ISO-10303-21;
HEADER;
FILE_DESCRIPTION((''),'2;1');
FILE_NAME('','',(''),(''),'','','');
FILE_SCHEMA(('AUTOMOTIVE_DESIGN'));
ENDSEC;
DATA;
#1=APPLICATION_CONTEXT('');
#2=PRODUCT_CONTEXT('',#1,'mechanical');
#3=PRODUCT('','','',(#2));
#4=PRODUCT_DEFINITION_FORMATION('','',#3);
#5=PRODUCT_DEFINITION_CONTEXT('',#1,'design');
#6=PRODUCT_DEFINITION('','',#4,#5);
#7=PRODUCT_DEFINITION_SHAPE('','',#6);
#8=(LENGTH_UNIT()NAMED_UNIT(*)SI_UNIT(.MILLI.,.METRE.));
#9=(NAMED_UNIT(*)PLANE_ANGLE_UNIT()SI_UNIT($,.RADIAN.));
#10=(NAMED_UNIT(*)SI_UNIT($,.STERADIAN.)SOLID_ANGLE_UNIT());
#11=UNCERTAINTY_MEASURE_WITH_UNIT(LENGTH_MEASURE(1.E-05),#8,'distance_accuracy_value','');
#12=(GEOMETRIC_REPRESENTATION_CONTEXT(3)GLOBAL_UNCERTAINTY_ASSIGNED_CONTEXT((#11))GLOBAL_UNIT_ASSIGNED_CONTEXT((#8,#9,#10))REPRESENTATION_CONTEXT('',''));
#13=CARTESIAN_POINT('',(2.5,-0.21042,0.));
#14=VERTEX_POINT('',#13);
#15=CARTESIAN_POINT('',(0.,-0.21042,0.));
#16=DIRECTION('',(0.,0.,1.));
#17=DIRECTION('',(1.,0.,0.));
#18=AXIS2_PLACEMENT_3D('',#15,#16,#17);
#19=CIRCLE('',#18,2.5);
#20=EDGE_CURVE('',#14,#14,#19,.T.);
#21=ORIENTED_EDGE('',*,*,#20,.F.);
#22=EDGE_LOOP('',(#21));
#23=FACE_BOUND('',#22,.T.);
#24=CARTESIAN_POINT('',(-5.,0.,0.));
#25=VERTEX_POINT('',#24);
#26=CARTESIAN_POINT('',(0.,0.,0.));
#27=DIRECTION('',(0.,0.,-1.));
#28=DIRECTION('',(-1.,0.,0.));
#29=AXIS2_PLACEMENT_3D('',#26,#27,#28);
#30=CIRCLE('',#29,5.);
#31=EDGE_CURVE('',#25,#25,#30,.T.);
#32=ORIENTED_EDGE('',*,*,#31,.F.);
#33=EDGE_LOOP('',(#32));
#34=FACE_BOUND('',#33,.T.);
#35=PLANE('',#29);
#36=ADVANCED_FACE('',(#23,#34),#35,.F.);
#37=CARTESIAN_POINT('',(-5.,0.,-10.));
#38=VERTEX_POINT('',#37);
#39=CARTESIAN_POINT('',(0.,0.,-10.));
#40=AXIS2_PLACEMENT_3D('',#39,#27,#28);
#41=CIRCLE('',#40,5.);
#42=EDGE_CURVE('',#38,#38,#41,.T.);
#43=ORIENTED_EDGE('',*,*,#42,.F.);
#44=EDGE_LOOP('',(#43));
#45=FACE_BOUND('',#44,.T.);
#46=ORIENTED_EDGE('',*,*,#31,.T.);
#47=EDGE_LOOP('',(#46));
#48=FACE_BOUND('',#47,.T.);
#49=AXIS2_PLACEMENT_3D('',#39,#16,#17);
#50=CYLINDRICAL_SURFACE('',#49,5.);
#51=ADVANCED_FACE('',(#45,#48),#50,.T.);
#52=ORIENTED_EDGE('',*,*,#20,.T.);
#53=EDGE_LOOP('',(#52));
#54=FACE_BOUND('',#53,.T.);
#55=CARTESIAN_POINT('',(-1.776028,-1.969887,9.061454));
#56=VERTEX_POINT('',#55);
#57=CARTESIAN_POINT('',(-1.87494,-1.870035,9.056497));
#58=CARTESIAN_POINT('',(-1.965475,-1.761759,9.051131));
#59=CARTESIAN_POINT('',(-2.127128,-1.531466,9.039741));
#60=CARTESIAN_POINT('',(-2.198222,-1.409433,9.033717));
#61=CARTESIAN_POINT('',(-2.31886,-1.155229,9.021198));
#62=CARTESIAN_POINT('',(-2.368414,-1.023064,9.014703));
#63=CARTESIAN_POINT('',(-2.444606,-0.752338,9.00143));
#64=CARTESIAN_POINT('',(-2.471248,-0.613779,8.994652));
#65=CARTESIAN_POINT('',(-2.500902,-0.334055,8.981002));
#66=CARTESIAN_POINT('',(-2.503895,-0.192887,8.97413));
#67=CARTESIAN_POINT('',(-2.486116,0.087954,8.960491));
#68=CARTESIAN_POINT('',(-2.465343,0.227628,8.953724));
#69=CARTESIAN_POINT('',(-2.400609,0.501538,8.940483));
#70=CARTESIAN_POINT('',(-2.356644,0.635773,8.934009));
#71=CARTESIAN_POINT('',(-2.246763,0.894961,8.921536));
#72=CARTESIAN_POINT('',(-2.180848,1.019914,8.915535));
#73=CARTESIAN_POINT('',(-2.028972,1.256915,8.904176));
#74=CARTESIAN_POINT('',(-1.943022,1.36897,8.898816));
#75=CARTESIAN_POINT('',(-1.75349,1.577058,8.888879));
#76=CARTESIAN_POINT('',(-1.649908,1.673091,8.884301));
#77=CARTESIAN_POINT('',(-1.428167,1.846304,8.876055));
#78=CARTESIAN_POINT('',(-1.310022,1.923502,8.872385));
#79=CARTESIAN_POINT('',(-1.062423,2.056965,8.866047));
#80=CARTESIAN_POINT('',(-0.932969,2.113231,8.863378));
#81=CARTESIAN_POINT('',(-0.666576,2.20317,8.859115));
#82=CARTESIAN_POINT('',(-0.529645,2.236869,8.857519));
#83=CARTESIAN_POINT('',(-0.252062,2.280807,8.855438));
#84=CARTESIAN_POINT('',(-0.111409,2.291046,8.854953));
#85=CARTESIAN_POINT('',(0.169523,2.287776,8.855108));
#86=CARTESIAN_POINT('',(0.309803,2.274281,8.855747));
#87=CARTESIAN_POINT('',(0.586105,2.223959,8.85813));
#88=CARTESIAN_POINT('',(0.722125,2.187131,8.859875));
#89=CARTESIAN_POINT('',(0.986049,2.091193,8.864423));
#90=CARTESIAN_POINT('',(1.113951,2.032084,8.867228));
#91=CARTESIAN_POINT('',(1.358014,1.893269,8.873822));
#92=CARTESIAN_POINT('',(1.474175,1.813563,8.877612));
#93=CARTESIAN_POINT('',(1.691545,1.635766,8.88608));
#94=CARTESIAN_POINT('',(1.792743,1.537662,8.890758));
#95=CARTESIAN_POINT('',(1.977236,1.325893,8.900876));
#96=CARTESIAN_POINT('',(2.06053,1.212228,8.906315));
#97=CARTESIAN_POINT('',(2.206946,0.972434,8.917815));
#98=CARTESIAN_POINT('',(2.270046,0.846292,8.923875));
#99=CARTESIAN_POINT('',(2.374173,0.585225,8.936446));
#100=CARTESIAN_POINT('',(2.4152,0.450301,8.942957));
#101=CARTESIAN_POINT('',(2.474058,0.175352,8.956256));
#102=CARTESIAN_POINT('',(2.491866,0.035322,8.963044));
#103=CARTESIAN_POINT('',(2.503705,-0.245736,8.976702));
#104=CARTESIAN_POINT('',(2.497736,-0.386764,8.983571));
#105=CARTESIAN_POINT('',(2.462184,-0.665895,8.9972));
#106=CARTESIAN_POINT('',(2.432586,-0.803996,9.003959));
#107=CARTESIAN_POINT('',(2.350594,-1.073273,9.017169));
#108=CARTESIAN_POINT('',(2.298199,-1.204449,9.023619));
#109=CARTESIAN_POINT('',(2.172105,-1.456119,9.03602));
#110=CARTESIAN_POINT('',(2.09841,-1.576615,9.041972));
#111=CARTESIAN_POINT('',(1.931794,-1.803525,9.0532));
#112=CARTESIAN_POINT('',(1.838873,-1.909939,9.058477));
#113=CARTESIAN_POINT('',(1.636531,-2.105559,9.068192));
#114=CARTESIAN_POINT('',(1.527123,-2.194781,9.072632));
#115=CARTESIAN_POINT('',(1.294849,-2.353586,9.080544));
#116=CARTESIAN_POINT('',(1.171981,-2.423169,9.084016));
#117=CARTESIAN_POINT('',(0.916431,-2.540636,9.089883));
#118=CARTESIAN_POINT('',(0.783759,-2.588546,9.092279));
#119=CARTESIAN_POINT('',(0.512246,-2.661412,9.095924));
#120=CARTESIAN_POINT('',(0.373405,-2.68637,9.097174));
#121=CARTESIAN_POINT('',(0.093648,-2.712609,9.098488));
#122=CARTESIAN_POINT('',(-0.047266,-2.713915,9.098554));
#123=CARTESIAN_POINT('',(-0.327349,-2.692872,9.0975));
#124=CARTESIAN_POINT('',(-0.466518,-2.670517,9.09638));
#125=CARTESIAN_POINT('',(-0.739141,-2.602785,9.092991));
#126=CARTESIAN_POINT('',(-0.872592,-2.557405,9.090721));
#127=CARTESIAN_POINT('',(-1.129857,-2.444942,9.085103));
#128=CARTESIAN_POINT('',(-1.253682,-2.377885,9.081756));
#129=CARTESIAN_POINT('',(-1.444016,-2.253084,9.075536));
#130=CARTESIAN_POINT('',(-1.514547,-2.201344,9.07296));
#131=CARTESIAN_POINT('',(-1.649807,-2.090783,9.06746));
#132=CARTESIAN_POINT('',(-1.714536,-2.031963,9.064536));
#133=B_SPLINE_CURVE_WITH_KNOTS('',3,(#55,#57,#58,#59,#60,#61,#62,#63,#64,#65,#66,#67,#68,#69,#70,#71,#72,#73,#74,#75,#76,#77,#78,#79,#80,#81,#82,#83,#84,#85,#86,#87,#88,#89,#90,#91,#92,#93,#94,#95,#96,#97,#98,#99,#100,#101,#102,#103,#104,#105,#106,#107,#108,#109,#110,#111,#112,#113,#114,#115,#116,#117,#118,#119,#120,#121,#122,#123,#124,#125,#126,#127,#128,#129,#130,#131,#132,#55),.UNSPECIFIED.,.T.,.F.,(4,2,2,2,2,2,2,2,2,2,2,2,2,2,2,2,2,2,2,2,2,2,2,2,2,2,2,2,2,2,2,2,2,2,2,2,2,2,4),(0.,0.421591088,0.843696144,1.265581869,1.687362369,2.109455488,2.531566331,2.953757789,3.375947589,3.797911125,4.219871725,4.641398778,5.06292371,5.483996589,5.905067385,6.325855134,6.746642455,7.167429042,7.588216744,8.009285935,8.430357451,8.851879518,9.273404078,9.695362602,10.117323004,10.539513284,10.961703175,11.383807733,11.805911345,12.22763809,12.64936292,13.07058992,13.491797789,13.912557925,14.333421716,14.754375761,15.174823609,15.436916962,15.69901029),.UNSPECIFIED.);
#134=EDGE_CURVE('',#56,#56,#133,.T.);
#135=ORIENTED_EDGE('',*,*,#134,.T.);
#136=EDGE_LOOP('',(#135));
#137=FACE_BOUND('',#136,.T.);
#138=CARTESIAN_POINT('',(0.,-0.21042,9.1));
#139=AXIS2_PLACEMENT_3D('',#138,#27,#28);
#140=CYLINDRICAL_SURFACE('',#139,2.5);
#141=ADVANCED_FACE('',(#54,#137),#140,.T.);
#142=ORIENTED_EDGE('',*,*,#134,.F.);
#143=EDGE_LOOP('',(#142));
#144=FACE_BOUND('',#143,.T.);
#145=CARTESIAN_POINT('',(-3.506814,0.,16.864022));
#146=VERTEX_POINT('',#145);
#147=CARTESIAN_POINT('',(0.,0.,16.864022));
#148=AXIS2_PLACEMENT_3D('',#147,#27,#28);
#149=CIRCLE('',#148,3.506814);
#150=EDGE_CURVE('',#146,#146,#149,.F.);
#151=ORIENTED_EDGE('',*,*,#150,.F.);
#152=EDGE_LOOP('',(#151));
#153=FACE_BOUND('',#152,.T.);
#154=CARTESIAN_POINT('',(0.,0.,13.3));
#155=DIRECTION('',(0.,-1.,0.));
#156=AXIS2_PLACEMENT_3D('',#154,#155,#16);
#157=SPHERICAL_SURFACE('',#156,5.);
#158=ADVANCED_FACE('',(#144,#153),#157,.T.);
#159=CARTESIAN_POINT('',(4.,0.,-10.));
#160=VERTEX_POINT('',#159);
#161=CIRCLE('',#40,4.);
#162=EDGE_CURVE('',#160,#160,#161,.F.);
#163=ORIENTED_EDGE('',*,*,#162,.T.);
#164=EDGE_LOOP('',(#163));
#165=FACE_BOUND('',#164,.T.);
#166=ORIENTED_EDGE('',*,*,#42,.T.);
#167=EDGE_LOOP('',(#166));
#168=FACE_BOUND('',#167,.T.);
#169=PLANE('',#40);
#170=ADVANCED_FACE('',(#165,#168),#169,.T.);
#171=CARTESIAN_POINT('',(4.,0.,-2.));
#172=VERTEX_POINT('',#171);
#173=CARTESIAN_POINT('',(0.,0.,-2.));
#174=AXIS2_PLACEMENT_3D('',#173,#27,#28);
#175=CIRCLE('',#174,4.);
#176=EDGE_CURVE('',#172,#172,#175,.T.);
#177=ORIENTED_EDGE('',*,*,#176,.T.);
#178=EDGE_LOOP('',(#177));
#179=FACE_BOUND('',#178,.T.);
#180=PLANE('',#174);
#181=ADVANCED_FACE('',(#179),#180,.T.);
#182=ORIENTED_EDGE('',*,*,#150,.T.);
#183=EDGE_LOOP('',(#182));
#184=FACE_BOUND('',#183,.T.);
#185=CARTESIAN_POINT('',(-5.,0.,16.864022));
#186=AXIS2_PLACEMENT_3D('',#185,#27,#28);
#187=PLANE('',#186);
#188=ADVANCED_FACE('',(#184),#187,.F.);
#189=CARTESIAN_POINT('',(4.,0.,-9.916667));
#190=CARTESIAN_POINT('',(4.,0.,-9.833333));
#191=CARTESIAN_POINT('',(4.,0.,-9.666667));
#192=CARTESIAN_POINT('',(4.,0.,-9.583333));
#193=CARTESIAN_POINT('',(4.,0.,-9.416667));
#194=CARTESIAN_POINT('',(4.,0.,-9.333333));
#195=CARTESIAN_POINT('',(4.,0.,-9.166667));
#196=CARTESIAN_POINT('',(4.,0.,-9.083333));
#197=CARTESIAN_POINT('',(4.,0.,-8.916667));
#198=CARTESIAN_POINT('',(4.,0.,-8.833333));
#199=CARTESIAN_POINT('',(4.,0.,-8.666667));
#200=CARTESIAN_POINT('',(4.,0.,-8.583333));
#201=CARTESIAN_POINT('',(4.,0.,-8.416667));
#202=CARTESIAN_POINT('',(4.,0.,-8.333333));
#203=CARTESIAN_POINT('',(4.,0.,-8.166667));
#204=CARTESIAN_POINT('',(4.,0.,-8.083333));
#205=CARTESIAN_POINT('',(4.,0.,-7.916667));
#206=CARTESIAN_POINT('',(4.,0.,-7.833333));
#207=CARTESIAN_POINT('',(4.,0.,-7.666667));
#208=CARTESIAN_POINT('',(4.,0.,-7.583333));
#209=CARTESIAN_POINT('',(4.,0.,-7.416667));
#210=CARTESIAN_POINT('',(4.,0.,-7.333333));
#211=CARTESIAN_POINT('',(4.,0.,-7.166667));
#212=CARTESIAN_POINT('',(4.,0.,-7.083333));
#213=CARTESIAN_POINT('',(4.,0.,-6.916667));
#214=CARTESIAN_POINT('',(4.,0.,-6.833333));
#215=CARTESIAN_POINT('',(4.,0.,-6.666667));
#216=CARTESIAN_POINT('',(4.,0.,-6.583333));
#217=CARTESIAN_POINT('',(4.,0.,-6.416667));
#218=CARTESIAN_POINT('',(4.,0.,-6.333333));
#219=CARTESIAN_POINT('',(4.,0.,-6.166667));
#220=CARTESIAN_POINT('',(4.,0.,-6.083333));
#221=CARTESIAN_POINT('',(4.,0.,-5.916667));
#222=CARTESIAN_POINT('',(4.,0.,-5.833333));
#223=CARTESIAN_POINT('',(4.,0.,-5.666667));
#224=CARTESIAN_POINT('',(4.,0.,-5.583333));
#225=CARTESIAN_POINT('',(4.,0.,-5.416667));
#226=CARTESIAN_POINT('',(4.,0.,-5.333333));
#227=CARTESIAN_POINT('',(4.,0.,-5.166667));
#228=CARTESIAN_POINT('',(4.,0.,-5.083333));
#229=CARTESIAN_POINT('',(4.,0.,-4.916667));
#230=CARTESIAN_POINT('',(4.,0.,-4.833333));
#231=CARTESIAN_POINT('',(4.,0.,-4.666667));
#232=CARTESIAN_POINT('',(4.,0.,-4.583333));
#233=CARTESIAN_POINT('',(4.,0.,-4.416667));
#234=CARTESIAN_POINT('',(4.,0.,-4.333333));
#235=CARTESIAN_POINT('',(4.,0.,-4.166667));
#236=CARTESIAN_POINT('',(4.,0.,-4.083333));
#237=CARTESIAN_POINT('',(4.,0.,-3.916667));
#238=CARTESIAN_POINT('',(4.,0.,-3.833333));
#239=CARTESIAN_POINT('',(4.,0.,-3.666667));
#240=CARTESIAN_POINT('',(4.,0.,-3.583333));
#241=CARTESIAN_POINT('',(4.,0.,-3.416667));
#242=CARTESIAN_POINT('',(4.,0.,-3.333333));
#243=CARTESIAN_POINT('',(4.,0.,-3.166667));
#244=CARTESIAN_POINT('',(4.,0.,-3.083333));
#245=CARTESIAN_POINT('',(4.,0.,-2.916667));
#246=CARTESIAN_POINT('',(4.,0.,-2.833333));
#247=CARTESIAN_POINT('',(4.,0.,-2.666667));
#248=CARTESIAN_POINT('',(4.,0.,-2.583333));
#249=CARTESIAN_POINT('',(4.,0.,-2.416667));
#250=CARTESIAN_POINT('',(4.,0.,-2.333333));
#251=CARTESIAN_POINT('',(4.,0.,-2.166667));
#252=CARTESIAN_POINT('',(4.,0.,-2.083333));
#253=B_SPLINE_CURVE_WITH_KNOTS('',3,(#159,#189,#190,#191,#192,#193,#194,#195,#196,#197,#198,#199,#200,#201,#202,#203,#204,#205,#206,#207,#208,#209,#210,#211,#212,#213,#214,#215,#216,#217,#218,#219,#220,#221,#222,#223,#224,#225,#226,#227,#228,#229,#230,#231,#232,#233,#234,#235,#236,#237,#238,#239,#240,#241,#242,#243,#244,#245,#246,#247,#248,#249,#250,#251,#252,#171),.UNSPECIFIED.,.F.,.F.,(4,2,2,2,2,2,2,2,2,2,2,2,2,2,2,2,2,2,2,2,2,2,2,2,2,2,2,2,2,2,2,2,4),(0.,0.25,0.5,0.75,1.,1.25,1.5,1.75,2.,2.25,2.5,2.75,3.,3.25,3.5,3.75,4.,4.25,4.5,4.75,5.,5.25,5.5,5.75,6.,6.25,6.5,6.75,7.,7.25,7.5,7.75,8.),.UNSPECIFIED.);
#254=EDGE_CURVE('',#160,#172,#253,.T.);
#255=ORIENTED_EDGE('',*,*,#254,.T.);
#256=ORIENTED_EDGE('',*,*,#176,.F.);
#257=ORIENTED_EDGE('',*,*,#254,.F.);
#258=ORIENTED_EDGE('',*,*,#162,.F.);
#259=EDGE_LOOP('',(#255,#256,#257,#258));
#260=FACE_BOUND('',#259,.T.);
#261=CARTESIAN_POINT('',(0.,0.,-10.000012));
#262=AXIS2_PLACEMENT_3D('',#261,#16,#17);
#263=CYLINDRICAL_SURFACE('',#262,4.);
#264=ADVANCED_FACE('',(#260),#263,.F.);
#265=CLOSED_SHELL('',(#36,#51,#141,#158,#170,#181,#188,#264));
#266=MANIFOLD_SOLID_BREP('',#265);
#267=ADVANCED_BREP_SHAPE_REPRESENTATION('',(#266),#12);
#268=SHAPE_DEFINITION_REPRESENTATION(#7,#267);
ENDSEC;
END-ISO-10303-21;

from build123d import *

# Parameters (mm, degrees)
SKETCH1_R               = 2.5
BOSS_EXTRUDE1_DEPTH     = 9.1
CUT_EXTRUDE1_DEPTH      = 20.618613611
CUT_EXTRUDE1_DEPTH_BACK = 20.618613611
SKETCH4_W               = 5.29751814
SKETCH4_H               = 11.035514004
SKETCH5_R               = 5
BOSS_EXTRUDE2_DEPTH     = 10
CUT_EXTRUDE2_DEPTH      = 28.779051493
CUT_EXTRUDE2_DEPTH_BACK = 8
SKETCH6_R               = 4


with BuildPart() as part:
    # Sketch1 → Boss-Extrude1 (new body)
    with BuildSketch(Plane.XY):
        with Locations((0, -0.210420065)):
            Circle(SKETCH1_R)
    extrude(amount=BOSS_EXTRUDE1_DEPTH)

    # Sketch3 → Revolve1 (revolve)
    with BuildSketch(Plane(origin=(0, 0, 0), x_dir=(0, 0, -1), z_dir=(1, 0, 0))):
        with BuildLine():
            Line((-13.3, -5), (-13.3, 5))
            ThreePointArc((-13.3, 5), (-8.3, 0), (-13.3, -5))
        make_face()
    revolve(axis=Axis((0, -5, 13.3), (0, 1, 0)))

    # Sketch4 → Cut-Extrude1 (cut, two sides: drawn at the far end of the back side and taken through both)
    with BuildSketch(Plane(origin=(0, 0, 0), x_dir=(0, 0, -1), z_dir=(1, 0, 0)).offset(-CUT_EXTRUDE1_DEPTH_BACK)):
        with Locations((-19.512781414, 0.215959178)):
            Rectangle(SKETCH4_W, SKETCH4_H)
    extrude(amount=CUT_EXTRUDE1_DEPTH + CUT_EXTRUDE1_DEPTH_BACK, mode=Mode.SUBTRACT)

    # Sketch5 → Boss-Extrude2 (add)
    with BuildSketch(Plane(origin=(0, 0, 0), x_dir=(-1, 0, 0), z_dir=(0, 0, -1))):
        Circle(SKETCH5_R)
    extrude(amount=BOSS_EXTRUDE2_DEPTH)

    # Sketch6 → Cut-Extrude2 (cut, two sides: drawn at the far end of the back side and taken through both)
    with BuildSketch(Plane(origin=(0, 0, -10), x_dir=(-1, 0, 0), z_dir=(0, 0, -1)).offset(-CUT_EXTRUDE2_DEPTH_BACK)):
        with Locations(Location((0, 0, 0), (0, 0, 180))):
            Circle(SKETCH6_R)
    extrude(amount=CUT_EXTRUDE2_DEPTH + CUT_EXTRUDE2_DEPTH_BACK, mode=Mode.SUBTRACT)


solid = part.part
